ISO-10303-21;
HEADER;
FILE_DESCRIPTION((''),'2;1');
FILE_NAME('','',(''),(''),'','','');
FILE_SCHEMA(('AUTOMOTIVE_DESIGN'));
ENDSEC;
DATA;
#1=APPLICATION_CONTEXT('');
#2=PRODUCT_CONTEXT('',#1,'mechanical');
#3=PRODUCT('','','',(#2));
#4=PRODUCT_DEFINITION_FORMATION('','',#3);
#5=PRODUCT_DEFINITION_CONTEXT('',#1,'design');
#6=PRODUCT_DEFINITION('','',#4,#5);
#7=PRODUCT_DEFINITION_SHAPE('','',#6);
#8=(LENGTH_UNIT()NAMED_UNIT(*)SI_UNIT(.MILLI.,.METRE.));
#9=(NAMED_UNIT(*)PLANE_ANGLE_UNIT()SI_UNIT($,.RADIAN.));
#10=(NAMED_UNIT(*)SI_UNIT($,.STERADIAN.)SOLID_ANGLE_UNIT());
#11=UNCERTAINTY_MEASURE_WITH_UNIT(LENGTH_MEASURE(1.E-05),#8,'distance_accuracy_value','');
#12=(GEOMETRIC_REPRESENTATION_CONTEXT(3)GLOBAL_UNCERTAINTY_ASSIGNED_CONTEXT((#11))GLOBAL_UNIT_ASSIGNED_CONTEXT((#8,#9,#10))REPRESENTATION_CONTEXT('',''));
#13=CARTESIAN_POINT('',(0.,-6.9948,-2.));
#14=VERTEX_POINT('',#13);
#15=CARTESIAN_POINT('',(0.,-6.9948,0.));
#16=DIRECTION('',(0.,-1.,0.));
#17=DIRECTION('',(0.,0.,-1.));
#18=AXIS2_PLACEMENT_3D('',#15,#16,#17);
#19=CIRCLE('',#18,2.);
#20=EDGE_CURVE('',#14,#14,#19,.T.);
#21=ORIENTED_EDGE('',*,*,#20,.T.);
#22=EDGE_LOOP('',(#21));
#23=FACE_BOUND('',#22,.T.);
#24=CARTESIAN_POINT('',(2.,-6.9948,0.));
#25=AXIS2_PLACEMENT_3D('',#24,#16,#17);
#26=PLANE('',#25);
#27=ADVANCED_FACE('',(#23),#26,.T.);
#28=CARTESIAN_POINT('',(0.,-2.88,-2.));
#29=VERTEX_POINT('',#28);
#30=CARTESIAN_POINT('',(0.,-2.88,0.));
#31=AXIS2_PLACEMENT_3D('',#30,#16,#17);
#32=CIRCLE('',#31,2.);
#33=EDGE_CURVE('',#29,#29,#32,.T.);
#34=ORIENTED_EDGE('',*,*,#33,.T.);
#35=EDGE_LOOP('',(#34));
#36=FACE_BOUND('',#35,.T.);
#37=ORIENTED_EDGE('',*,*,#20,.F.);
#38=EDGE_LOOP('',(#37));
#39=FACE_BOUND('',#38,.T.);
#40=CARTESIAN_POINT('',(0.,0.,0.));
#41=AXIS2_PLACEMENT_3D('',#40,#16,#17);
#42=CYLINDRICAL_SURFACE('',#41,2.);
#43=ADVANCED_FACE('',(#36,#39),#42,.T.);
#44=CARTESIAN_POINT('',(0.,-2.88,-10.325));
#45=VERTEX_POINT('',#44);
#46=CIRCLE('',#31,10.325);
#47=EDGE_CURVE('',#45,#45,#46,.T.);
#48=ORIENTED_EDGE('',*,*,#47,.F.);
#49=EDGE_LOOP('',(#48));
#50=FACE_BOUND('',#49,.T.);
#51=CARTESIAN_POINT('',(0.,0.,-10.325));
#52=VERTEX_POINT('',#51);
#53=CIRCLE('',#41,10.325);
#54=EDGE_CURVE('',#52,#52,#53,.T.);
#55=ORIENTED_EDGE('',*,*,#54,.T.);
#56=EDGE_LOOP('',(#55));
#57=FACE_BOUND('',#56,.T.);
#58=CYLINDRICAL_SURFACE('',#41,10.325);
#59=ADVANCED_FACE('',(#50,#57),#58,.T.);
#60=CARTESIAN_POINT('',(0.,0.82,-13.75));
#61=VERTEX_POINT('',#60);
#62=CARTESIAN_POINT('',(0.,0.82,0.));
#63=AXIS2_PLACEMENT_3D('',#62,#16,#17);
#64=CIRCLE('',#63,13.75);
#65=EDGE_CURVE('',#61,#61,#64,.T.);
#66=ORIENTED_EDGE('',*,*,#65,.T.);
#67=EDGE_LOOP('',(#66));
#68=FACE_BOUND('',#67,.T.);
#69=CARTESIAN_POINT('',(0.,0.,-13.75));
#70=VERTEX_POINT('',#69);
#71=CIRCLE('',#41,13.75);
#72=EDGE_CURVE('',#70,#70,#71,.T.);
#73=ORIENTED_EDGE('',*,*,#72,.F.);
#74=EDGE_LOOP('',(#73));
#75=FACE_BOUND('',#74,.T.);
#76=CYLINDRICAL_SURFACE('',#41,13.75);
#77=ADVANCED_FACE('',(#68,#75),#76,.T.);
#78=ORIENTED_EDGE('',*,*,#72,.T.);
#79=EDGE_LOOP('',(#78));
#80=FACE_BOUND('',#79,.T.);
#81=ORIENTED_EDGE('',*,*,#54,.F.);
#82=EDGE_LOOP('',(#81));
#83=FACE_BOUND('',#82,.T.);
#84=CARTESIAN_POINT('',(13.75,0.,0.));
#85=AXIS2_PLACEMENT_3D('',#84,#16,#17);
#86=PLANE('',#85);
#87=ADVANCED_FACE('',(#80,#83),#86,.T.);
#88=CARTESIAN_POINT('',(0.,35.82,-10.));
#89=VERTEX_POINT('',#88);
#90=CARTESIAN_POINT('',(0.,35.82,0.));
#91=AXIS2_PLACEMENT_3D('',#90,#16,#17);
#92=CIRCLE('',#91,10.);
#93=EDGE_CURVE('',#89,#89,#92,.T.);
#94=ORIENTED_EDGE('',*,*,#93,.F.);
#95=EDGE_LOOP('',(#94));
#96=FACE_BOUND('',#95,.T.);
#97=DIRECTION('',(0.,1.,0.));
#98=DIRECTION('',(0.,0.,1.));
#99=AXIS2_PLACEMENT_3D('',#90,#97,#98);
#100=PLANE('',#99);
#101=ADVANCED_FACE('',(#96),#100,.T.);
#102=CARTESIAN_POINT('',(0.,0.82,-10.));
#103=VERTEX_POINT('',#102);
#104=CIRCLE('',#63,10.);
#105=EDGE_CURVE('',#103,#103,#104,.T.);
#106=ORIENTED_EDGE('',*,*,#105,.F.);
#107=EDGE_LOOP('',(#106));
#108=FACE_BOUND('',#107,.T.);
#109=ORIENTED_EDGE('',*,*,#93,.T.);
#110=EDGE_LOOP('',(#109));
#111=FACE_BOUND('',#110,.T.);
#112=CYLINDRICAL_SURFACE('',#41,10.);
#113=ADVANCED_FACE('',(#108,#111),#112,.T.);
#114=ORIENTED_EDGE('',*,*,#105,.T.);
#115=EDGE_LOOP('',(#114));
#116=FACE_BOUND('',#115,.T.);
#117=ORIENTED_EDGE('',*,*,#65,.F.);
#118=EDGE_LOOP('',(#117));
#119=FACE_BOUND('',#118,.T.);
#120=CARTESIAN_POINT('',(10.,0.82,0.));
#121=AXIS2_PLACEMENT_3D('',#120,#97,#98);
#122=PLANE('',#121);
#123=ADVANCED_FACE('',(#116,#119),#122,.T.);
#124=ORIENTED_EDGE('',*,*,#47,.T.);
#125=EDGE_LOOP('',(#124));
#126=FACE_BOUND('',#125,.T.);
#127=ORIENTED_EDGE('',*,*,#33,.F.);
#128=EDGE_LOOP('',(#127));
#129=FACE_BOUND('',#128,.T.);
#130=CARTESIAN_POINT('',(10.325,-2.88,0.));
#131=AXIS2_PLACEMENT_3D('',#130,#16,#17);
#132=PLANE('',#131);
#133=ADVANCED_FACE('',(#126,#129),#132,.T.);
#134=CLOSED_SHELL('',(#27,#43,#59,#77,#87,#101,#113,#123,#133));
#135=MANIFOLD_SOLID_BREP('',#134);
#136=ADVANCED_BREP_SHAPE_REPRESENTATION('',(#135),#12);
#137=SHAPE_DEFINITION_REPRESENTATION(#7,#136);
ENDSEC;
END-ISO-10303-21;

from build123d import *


with BuildPart() as part:
    # Sketch1 → Revolve1 (revolve)
    with BuildSketch(Plane.XY, mode=Mode.PRIVATE) as revolve1_sk:
        Polygon((0, 35.82), (10, 35.82), (10, 0.82), (13.75, 0.82), (13.75, 0), (10.325, 0), (10.325, -2.88), (2, -2.88), (2, -6.9948), (0, -6.9948), align=None)
    revolve(revolve1_sk.sketch.rotate(Axis((0, 0, 0), (0, 1, 0)), 90), axis=Axis((0, 0, 0), (0, 1, 0)))


solid = part.part
